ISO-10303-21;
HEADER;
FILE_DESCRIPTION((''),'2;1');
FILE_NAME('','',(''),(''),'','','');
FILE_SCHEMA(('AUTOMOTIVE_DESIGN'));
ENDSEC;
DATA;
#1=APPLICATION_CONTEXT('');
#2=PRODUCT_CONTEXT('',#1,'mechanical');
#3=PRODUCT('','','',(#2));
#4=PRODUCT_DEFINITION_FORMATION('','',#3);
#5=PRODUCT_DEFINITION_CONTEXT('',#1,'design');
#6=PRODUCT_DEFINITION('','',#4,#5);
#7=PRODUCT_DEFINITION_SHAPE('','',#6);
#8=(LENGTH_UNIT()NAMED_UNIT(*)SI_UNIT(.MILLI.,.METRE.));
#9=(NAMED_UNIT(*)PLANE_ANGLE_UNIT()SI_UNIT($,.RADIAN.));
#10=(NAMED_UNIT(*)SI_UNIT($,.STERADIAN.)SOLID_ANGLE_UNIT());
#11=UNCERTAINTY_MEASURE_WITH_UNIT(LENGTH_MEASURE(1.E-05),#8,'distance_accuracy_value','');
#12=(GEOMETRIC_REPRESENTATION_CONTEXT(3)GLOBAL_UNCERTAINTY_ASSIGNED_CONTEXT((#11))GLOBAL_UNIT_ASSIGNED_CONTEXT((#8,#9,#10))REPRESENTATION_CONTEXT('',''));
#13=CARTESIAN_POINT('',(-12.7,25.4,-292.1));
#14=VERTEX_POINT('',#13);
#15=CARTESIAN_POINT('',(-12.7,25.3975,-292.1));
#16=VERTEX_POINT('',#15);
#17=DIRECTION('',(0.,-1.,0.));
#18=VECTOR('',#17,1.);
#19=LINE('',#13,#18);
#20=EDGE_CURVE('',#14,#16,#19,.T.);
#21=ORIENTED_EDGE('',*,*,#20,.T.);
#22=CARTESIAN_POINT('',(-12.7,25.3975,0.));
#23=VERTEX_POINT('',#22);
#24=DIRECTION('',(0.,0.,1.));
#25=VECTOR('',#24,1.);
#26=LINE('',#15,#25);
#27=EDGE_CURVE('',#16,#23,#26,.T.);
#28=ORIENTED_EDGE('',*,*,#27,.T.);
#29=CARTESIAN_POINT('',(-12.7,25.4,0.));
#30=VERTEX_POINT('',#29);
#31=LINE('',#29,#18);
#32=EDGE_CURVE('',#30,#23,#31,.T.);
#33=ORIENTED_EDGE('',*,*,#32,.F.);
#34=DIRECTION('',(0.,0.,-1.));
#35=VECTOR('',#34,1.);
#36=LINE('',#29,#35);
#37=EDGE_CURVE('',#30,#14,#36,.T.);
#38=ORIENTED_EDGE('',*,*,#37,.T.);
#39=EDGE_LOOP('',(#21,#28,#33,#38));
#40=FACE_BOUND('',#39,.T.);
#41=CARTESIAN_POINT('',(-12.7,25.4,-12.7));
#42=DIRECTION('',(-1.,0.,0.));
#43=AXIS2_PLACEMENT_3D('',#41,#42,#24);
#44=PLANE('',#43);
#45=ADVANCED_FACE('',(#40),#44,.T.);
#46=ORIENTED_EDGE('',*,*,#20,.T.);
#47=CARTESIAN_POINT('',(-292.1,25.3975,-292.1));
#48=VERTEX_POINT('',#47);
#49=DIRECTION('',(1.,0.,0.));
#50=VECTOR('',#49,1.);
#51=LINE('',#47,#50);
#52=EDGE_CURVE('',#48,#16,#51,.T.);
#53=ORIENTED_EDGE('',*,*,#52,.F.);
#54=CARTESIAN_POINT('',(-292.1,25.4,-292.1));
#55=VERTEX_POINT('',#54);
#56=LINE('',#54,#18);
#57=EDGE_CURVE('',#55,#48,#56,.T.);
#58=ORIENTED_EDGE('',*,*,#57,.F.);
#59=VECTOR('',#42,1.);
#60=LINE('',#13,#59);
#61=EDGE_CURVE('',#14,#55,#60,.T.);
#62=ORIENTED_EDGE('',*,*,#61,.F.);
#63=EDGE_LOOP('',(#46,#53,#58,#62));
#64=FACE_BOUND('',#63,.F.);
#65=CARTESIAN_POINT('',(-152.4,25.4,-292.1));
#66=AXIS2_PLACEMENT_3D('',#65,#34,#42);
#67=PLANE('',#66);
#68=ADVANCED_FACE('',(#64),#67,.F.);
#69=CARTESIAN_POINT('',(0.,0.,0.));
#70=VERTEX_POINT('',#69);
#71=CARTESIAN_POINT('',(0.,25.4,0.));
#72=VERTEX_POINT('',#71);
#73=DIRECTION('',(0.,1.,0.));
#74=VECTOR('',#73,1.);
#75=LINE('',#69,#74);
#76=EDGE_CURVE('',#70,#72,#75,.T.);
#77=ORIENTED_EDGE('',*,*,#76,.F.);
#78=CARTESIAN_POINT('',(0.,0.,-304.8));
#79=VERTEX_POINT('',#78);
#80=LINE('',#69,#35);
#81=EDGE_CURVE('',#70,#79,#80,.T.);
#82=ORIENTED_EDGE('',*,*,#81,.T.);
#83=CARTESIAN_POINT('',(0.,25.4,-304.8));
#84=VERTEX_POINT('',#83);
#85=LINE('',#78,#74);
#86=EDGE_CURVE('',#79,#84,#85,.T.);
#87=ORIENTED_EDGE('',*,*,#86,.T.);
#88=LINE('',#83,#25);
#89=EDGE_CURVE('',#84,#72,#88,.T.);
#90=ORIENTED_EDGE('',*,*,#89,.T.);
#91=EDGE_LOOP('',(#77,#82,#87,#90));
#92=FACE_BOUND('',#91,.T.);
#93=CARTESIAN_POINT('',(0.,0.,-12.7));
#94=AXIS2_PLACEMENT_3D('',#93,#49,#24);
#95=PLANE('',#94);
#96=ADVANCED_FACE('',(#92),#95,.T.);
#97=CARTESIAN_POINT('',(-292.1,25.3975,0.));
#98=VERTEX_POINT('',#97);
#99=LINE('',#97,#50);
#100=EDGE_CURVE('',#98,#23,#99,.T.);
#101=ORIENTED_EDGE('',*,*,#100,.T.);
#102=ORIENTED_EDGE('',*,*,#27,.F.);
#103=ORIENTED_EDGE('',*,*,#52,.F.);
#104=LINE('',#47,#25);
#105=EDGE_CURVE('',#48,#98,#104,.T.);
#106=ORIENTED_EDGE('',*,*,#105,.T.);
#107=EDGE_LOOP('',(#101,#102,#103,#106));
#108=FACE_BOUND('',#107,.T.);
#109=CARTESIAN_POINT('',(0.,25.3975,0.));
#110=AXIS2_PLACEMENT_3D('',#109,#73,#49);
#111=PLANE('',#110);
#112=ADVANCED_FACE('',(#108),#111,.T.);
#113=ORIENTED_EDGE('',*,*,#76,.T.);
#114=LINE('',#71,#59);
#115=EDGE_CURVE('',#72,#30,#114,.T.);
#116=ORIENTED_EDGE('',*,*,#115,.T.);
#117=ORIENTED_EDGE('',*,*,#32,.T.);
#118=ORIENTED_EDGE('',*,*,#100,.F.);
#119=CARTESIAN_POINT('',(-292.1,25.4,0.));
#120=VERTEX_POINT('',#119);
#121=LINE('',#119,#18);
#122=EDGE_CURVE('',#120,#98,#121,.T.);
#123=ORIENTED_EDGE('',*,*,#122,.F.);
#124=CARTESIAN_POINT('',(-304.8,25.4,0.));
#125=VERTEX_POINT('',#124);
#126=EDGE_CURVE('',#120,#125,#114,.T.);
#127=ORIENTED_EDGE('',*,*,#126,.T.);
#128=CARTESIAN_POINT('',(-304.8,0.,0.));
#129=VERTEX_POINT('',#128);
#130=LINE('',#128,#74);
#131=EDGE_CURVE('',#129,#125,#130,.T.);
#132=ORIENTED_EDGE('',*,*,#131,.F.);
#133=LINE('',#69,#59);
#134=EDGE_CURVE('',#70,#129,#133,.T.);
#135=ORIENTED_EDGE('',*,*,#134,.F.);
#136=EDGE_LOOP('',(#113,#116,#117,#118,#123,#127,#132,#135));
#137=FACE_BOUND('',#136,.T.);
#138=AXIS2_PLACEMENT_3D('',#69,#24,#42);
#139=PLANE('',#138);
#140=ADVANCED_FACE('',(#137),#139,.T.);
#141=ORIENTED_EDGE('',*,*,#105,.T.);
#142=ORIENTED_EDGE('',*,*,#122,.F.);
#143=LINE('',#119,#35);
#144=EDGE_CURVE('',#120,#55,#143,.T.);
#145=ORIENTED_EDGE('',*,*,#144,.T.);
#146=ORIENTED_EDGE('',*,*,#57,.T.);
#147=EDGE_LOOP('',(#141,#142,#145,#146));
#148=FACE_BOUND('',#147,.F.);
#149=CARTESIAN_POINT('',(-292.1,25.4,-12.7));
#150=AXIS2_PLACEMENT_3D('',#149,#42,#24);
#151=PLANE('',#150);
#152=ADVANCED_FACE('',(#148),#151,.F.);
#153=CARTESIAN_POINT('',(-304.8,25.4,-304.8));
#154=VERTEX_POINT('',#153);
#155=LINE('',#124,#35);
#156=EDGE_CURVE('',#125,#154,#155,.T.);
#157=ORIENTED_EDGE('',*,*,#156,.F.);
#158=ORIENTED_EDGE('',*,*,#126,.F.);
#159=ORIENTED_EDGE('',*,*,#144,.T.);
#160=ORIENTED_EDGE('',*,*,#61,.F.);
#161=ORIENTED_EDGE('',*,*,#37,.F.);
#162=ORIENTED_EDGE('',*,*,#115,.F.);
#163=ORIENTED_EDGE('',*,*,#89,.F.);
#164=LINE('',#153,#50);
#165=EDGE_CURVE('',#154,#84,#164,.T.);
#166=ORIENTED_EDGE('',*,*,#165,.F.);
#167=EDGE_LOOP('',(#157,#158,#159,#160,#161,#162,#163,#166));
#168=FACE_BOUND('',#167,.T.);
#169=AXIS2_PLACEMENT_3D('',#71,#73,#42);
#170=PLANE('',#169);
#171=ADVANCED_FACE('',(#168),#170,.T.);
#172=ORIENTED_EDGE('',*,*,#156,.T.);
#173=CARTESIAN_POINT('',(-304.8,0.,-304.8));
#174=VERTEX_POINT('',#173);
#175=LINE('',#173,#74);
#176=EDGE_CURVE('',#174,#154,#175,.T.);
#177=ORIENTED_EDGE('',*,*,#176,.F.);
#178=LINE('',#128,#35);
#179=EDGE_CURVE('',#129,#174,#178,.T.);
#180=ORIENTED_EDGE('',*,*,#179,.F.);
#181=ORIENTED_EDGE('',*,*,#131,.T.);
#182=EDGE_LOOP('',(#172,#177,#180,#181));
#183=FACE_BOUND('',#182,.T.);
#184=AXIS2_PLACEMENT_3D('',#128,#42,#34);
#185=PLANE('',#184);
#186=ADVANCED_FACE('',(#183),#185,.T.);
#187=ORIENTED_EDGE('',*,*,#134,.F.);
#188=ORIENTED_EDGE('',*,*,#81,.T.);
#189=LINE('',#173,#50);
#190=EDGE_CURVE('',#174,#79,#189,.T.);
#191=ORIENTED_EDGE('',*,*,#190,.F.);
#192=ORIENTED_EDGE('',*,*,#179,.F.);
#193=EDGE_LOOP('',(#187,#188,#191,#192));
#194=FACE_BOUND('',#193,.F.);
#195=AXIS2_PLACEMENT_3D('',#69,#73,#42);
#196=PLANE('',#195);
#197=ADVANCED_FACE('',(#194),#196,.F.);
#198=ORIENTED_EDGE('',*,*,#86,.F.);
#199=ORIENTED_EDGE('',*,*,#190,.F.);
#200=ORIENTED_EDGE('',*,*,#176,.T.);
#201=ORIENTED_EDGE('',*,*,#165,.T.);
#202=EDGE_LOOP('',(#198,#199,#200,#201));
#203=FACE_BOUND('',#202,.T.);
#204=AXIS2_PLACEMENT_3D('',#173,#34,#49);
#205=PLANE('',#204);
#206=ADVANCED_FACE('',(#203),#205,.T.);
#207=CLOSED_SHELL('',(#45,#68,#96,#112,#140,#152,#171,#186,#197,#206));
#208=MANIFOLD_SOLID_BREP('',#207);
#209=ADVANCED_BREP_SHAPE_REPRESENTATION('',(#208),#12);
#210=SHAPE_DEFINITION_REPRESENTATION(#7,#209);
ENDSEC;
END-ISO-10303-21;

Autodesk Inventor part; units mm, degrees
ref_plane "YZ Plane" through (0, 0, 0) normal (1, 0, 0) x (0, 1, 0)
ref_plane "XZ Plane" through (0, 0, 0) normal (0, 1, 0) x (-1, 0, 0)
ref_plane "XY Plane" through (0, 0, 0) normal (0, 0, 1) x (1, 0, 0)
sketch "Sketch1" plane through (0, 0, 0) normal (0, 1, 0) x (-1, 0, 0)
  line L0 (0, 0) -> (304.8, 0)
  line L1 (304.8, 0) -> (304.8, -304.8)
  line L2 (304.8, -304.8) -> (0, -304.8)
  line L3 (0, -304.8) -> (0, 0)
  line L4 (12.7, -12.7) -> (292.1, -12.7)
  line L5 (292.1, -12.7) -> (292.1, -292.1)
  line L6 (292.1, -292.1) -> (12.7, -292.1)
  line L7 (12.7, -292.1) -> (12.7, -12.7)
  line L8 (12.7, -12.7) -> (292.1, -292.1) construction
  line L9 (292.1, -12.7) -> (12.7, -292.1) construction
  line L10 (12.7, -12.7) -> (0, -12.7)
  line L11 (12.7, -292.1) -> (0, -292.1)
  point P0 (152.4, -152.4)
  dimension "d0" = 304.8
  dimension "d1" = 304.8
  dimension "d2" = 279.4
  dimension "d3" = 279.4
extrude "Extrusion1" add sketch "Sketch1" along normal blind 25.4
sketch "Sketch2" plane through (0, 25.4, 0) normal (0, 1, 0) x (1, 0, 0)
  line L0 (-304.8, 0) -> (0, 0) projected
  line L1 (-152.4, 0) -> (-152.4, 304.8)
  line L2 (0, 0) -> (0, 304.8) projected
  line L3 (0, 152.4) -> (-304.8, 152.4)
  line L4 (-292.1, 12.7) -> (-12.7, 12.7)
  line L5 (-12.7, 12.7) -> (-12.7, 292.1)
  line L6 (-12.7, 292.1) -> (-292.1, 292.1)
  line L7 (-292.1, 292.1) -> (-292.1, 12.7)
  line L8 (-292.1, 12.7) -> (-12.7, 292.1) construction
  line L9 (-12.7, 12.7) -> (-292.1, 292.1) construction
  line L10 (-292.1, 12.7) -> (-292.1, 0)
  line L11 (-12.7, 12.7) -> (-12.7, 0)
  point P0 (-152.4, 152.4)
  dimension "d6" = 304.8
  dimension "d7" = 279.4
  dimension "d8" = 279.4
extrude "Extrusion2" cut sketch "Sketch2" against normal blind 0.0025 contours L10 L4 L1 L0 | L1 L4 L11 L0 | L7 L3 L1 L4 | L1 L3 L5 L4 | L7 L6 L1 L3 | L1 L6 L5 L3
properties part number "topStair" material "Wood (Birch)"
